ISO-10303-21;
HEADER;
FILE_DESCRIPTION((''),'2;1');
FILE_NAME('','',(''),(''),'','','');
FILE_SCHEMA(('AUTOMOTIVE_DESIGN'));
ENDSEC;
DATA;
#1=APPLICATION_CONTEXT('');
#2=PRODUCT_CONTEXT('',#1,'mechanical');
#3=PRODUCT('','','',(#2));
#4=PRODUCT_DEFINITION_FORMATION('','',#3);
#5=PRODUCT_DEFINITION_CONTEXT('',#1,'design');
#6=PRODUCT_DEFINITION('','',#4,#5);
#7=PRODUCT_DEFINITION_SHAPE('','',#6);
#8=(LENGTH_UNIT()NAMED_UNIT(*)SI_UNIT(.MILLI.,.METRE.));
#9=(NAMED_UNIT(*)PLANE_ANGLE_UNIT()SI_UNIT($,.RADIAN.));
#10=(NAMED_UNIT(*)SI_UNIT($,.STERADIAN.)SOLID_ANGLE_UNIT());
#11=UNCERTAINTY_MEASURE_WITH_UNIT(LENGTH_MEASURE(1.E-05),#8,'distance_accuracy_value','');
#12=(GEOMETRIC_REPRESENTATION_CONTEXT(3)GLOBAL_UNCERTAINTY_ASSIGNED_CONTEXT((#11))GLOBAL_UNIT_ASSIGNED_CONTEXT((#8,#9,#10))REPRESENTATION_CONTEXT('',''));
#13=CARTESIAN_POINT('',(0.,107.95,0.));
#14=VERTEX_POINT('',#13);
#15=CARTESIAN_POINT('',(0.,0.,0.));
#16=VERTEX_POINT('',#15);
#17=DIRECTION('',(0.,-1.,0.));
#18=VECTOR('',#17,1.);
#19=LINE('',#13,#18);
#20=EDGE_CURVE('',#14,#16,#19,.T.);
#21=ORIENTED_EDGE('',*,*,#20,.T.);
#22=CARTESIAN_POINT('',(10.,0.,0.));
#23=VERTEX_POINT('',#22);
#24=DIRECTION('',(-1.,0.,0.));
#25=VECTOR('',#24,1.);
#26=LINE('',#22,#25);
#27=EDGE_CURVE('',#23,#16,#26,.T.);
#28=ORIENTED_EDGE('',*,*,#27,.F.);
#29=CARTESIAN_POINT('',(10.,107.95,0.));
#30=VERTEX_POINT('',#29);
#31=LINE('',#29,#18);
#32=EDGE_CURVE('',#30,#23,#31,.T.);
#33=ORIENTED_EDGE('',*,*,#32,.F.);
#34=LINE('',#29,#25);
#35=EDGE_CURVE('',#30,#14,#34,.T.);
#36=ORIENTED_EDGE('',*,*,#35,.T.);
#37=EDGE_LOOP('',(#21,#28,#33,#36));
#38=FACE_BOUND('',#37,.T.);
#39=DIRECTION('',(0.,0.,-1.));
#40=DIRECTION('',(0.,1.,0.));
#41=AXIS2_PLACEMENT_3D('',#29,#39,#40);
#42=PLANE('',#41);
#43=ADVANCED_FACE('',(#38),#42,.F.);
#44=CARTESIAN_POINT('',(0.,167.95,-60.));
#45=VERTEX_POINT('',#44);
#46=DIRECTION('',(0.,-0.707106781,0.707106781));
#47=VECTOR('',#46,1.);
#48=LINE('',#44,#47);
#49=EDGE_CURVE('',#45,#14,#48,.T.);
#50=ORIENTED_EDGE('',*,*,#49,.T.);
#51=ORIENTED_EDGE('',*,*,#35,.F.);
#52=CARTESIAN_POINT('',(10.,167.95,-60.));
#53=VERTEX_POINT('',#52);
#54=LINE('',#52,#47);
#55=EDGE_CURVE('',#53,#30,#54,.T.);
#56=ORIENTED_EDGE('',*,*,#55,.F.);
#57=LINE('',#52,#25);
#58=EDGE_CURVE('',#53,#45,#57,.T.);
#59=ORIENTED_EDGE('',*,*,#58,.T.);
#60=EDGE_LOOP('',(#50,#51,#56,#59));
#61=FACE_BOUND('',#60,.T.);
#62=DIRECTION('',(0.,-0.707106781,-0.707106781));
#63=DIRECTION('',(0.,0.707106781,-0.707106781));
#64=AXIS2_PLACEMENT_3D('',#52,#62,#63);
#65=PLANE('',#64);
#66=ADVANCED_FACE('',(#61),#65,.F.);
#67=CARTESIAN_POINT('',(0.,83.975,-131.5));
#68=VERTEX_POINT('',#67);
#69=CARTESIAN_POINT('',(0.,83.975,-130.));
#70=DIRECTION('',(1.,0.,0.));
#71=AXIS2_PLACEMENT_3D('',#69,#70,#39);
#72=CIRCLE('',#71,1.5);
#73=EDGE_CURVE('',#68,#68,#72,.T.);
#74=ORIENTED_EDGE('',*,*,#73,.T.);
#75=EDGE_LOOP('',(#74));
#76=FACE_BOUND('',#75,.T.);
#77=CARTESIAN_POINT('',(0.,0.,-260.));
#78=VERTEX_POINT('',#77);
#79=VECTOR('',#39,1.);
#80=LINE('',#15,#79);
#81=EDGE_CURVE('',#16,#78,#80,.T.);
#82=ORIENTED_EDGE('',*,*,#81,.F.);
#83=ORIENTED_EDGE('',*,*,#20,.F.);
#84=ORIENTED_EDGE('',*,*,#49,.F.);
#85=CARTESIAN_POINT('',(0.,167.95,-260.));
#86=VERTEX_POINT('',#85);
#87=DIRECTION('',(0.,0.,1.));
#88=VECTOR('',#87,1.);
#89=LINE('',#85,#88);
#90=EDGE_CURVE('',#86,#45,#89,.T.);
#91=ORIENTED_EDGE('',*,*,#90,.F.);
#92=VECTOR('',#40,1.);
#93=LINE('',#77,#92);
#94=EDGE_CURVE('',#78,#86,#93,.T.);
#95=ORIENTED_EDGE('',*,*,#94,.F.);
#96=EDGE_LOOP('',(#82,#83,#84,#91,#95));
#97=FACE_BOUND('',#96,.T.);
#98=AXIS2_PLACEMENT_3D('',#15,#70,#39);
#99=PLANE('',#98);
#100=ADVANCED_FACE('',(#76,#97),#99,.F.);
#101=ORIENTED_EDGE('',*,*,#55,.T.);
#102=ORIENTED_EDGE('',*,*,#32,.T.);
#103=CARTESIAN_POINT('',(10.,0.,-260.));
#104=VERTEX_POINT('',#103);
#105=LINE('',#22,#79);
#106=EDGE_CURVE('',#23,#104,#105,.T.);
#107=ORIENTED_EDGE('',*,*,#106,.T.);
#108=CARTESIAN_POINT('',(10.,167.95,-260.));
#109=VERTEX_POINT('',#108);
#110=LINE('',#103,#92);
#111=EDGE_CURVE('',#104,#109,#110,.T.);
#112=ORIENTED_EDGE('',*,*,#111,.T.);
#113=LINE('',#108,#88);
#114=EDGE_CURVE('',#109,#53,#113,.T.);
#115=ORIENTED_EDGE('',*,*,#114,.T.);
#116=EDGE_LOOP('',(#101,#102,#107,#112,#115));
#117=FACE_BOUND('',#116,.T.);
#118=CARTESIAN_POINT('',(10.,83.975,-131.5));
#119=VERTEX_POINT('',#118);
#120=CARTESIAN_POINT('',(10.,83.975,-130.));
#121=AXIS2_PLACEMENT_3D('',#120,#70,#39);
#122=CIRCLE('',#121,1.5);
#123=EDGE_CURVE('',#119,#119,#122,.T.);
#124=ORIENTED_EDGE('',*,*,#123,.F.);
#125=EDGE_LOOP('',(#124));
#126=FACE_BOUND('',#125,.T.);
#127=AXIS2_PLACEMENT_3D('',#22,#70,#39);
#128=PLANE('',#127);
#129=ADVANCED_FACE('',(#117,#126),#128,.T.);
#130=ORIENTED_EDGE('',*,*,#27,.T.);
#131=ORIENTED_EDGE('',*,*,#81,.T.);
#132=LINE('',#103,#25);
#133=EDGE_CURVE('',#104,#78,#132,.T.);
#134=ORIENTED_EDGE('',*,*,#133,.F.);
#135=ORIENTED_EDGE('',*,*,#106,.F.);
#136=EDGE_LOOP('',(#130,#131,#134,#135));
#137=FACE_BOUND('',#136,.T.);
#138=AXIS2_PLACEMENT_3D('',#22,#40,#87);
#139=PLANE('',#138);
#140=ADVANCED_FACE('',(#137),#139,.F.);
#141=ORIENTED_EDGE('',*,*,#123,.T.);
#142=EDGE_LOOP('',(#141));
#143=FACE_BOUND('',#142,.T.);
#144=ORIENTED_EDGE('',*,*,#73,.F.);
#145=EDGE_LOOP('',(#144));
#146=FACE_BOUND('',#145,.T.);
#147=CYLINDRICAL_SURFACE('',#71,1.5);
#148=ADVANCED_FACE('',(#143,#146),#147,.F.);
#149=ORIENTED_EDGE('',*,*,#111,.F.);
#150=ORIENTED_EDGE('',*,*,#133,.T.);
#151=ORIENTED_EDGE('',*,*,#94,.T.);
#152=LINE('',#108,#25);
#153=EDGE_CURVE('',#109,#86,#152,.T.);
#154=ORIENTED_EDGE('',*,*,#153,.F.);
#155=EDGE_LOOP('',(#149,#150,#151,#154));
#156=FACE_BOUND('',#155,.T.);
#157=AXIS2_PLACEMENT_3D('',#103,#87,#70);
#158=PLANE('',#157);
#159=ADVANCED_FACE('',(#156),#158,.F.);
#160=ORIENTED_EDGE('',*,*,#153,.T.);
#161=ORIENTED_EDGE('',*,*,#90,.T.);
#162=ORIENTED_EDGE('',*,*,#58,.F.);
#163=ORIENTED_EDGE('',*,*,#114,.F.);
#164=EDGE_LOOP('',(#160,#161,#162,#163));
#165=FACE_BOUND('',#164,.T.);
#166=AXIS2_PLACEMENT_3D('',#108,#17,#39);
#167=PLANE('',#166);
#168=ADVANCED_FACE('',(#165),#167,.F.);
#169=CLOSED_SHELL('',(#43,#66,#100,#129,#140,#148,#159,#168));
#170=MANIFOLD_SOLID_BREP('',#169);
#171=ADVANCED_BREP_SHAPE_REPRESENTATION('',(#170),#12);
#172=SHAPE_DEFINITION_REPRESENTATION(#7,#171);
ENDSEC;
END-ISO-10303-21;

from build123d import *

# Parameters (mm, degrees)
Y_KSEKLIK_EKSTR_ZYON1_DEPTH = 10
SKETCH3_R                   = 1.5
CUT_EXTRUDE1_DEPTH          = 10


with BuildPart() as part:
    # Çizim1 → Yükseklik-Ekstrüzyon1 (new body)
    with BuildSketch(Plane(origin=(0, 0, 0), x_dir=(0, 0, -1), z_dir=(1, 0, 0))):
        Polygon((0, 0), (260, 0), (260, 167.95), (60, 167.95), (0, 107.95), align=None)
    extrude(amount=Y_KSEKLIK_EKSTR_ZYON1_DEPTH)

    # Sketch3 → Cut-Extrude1 (cut)
    with BuildSketch(Plane(origin=(10, 0, 0), x_dir=(0, 0, -1), z_dir=(1, 0, 0))):
        with Locations((130, 83.975)):
            Circle(SKETCH3_R)
    extrude(amount=-CUT_EXTRUDE1_DEPTH, mode=Mode.SUBTRACT)


solid = part.part
